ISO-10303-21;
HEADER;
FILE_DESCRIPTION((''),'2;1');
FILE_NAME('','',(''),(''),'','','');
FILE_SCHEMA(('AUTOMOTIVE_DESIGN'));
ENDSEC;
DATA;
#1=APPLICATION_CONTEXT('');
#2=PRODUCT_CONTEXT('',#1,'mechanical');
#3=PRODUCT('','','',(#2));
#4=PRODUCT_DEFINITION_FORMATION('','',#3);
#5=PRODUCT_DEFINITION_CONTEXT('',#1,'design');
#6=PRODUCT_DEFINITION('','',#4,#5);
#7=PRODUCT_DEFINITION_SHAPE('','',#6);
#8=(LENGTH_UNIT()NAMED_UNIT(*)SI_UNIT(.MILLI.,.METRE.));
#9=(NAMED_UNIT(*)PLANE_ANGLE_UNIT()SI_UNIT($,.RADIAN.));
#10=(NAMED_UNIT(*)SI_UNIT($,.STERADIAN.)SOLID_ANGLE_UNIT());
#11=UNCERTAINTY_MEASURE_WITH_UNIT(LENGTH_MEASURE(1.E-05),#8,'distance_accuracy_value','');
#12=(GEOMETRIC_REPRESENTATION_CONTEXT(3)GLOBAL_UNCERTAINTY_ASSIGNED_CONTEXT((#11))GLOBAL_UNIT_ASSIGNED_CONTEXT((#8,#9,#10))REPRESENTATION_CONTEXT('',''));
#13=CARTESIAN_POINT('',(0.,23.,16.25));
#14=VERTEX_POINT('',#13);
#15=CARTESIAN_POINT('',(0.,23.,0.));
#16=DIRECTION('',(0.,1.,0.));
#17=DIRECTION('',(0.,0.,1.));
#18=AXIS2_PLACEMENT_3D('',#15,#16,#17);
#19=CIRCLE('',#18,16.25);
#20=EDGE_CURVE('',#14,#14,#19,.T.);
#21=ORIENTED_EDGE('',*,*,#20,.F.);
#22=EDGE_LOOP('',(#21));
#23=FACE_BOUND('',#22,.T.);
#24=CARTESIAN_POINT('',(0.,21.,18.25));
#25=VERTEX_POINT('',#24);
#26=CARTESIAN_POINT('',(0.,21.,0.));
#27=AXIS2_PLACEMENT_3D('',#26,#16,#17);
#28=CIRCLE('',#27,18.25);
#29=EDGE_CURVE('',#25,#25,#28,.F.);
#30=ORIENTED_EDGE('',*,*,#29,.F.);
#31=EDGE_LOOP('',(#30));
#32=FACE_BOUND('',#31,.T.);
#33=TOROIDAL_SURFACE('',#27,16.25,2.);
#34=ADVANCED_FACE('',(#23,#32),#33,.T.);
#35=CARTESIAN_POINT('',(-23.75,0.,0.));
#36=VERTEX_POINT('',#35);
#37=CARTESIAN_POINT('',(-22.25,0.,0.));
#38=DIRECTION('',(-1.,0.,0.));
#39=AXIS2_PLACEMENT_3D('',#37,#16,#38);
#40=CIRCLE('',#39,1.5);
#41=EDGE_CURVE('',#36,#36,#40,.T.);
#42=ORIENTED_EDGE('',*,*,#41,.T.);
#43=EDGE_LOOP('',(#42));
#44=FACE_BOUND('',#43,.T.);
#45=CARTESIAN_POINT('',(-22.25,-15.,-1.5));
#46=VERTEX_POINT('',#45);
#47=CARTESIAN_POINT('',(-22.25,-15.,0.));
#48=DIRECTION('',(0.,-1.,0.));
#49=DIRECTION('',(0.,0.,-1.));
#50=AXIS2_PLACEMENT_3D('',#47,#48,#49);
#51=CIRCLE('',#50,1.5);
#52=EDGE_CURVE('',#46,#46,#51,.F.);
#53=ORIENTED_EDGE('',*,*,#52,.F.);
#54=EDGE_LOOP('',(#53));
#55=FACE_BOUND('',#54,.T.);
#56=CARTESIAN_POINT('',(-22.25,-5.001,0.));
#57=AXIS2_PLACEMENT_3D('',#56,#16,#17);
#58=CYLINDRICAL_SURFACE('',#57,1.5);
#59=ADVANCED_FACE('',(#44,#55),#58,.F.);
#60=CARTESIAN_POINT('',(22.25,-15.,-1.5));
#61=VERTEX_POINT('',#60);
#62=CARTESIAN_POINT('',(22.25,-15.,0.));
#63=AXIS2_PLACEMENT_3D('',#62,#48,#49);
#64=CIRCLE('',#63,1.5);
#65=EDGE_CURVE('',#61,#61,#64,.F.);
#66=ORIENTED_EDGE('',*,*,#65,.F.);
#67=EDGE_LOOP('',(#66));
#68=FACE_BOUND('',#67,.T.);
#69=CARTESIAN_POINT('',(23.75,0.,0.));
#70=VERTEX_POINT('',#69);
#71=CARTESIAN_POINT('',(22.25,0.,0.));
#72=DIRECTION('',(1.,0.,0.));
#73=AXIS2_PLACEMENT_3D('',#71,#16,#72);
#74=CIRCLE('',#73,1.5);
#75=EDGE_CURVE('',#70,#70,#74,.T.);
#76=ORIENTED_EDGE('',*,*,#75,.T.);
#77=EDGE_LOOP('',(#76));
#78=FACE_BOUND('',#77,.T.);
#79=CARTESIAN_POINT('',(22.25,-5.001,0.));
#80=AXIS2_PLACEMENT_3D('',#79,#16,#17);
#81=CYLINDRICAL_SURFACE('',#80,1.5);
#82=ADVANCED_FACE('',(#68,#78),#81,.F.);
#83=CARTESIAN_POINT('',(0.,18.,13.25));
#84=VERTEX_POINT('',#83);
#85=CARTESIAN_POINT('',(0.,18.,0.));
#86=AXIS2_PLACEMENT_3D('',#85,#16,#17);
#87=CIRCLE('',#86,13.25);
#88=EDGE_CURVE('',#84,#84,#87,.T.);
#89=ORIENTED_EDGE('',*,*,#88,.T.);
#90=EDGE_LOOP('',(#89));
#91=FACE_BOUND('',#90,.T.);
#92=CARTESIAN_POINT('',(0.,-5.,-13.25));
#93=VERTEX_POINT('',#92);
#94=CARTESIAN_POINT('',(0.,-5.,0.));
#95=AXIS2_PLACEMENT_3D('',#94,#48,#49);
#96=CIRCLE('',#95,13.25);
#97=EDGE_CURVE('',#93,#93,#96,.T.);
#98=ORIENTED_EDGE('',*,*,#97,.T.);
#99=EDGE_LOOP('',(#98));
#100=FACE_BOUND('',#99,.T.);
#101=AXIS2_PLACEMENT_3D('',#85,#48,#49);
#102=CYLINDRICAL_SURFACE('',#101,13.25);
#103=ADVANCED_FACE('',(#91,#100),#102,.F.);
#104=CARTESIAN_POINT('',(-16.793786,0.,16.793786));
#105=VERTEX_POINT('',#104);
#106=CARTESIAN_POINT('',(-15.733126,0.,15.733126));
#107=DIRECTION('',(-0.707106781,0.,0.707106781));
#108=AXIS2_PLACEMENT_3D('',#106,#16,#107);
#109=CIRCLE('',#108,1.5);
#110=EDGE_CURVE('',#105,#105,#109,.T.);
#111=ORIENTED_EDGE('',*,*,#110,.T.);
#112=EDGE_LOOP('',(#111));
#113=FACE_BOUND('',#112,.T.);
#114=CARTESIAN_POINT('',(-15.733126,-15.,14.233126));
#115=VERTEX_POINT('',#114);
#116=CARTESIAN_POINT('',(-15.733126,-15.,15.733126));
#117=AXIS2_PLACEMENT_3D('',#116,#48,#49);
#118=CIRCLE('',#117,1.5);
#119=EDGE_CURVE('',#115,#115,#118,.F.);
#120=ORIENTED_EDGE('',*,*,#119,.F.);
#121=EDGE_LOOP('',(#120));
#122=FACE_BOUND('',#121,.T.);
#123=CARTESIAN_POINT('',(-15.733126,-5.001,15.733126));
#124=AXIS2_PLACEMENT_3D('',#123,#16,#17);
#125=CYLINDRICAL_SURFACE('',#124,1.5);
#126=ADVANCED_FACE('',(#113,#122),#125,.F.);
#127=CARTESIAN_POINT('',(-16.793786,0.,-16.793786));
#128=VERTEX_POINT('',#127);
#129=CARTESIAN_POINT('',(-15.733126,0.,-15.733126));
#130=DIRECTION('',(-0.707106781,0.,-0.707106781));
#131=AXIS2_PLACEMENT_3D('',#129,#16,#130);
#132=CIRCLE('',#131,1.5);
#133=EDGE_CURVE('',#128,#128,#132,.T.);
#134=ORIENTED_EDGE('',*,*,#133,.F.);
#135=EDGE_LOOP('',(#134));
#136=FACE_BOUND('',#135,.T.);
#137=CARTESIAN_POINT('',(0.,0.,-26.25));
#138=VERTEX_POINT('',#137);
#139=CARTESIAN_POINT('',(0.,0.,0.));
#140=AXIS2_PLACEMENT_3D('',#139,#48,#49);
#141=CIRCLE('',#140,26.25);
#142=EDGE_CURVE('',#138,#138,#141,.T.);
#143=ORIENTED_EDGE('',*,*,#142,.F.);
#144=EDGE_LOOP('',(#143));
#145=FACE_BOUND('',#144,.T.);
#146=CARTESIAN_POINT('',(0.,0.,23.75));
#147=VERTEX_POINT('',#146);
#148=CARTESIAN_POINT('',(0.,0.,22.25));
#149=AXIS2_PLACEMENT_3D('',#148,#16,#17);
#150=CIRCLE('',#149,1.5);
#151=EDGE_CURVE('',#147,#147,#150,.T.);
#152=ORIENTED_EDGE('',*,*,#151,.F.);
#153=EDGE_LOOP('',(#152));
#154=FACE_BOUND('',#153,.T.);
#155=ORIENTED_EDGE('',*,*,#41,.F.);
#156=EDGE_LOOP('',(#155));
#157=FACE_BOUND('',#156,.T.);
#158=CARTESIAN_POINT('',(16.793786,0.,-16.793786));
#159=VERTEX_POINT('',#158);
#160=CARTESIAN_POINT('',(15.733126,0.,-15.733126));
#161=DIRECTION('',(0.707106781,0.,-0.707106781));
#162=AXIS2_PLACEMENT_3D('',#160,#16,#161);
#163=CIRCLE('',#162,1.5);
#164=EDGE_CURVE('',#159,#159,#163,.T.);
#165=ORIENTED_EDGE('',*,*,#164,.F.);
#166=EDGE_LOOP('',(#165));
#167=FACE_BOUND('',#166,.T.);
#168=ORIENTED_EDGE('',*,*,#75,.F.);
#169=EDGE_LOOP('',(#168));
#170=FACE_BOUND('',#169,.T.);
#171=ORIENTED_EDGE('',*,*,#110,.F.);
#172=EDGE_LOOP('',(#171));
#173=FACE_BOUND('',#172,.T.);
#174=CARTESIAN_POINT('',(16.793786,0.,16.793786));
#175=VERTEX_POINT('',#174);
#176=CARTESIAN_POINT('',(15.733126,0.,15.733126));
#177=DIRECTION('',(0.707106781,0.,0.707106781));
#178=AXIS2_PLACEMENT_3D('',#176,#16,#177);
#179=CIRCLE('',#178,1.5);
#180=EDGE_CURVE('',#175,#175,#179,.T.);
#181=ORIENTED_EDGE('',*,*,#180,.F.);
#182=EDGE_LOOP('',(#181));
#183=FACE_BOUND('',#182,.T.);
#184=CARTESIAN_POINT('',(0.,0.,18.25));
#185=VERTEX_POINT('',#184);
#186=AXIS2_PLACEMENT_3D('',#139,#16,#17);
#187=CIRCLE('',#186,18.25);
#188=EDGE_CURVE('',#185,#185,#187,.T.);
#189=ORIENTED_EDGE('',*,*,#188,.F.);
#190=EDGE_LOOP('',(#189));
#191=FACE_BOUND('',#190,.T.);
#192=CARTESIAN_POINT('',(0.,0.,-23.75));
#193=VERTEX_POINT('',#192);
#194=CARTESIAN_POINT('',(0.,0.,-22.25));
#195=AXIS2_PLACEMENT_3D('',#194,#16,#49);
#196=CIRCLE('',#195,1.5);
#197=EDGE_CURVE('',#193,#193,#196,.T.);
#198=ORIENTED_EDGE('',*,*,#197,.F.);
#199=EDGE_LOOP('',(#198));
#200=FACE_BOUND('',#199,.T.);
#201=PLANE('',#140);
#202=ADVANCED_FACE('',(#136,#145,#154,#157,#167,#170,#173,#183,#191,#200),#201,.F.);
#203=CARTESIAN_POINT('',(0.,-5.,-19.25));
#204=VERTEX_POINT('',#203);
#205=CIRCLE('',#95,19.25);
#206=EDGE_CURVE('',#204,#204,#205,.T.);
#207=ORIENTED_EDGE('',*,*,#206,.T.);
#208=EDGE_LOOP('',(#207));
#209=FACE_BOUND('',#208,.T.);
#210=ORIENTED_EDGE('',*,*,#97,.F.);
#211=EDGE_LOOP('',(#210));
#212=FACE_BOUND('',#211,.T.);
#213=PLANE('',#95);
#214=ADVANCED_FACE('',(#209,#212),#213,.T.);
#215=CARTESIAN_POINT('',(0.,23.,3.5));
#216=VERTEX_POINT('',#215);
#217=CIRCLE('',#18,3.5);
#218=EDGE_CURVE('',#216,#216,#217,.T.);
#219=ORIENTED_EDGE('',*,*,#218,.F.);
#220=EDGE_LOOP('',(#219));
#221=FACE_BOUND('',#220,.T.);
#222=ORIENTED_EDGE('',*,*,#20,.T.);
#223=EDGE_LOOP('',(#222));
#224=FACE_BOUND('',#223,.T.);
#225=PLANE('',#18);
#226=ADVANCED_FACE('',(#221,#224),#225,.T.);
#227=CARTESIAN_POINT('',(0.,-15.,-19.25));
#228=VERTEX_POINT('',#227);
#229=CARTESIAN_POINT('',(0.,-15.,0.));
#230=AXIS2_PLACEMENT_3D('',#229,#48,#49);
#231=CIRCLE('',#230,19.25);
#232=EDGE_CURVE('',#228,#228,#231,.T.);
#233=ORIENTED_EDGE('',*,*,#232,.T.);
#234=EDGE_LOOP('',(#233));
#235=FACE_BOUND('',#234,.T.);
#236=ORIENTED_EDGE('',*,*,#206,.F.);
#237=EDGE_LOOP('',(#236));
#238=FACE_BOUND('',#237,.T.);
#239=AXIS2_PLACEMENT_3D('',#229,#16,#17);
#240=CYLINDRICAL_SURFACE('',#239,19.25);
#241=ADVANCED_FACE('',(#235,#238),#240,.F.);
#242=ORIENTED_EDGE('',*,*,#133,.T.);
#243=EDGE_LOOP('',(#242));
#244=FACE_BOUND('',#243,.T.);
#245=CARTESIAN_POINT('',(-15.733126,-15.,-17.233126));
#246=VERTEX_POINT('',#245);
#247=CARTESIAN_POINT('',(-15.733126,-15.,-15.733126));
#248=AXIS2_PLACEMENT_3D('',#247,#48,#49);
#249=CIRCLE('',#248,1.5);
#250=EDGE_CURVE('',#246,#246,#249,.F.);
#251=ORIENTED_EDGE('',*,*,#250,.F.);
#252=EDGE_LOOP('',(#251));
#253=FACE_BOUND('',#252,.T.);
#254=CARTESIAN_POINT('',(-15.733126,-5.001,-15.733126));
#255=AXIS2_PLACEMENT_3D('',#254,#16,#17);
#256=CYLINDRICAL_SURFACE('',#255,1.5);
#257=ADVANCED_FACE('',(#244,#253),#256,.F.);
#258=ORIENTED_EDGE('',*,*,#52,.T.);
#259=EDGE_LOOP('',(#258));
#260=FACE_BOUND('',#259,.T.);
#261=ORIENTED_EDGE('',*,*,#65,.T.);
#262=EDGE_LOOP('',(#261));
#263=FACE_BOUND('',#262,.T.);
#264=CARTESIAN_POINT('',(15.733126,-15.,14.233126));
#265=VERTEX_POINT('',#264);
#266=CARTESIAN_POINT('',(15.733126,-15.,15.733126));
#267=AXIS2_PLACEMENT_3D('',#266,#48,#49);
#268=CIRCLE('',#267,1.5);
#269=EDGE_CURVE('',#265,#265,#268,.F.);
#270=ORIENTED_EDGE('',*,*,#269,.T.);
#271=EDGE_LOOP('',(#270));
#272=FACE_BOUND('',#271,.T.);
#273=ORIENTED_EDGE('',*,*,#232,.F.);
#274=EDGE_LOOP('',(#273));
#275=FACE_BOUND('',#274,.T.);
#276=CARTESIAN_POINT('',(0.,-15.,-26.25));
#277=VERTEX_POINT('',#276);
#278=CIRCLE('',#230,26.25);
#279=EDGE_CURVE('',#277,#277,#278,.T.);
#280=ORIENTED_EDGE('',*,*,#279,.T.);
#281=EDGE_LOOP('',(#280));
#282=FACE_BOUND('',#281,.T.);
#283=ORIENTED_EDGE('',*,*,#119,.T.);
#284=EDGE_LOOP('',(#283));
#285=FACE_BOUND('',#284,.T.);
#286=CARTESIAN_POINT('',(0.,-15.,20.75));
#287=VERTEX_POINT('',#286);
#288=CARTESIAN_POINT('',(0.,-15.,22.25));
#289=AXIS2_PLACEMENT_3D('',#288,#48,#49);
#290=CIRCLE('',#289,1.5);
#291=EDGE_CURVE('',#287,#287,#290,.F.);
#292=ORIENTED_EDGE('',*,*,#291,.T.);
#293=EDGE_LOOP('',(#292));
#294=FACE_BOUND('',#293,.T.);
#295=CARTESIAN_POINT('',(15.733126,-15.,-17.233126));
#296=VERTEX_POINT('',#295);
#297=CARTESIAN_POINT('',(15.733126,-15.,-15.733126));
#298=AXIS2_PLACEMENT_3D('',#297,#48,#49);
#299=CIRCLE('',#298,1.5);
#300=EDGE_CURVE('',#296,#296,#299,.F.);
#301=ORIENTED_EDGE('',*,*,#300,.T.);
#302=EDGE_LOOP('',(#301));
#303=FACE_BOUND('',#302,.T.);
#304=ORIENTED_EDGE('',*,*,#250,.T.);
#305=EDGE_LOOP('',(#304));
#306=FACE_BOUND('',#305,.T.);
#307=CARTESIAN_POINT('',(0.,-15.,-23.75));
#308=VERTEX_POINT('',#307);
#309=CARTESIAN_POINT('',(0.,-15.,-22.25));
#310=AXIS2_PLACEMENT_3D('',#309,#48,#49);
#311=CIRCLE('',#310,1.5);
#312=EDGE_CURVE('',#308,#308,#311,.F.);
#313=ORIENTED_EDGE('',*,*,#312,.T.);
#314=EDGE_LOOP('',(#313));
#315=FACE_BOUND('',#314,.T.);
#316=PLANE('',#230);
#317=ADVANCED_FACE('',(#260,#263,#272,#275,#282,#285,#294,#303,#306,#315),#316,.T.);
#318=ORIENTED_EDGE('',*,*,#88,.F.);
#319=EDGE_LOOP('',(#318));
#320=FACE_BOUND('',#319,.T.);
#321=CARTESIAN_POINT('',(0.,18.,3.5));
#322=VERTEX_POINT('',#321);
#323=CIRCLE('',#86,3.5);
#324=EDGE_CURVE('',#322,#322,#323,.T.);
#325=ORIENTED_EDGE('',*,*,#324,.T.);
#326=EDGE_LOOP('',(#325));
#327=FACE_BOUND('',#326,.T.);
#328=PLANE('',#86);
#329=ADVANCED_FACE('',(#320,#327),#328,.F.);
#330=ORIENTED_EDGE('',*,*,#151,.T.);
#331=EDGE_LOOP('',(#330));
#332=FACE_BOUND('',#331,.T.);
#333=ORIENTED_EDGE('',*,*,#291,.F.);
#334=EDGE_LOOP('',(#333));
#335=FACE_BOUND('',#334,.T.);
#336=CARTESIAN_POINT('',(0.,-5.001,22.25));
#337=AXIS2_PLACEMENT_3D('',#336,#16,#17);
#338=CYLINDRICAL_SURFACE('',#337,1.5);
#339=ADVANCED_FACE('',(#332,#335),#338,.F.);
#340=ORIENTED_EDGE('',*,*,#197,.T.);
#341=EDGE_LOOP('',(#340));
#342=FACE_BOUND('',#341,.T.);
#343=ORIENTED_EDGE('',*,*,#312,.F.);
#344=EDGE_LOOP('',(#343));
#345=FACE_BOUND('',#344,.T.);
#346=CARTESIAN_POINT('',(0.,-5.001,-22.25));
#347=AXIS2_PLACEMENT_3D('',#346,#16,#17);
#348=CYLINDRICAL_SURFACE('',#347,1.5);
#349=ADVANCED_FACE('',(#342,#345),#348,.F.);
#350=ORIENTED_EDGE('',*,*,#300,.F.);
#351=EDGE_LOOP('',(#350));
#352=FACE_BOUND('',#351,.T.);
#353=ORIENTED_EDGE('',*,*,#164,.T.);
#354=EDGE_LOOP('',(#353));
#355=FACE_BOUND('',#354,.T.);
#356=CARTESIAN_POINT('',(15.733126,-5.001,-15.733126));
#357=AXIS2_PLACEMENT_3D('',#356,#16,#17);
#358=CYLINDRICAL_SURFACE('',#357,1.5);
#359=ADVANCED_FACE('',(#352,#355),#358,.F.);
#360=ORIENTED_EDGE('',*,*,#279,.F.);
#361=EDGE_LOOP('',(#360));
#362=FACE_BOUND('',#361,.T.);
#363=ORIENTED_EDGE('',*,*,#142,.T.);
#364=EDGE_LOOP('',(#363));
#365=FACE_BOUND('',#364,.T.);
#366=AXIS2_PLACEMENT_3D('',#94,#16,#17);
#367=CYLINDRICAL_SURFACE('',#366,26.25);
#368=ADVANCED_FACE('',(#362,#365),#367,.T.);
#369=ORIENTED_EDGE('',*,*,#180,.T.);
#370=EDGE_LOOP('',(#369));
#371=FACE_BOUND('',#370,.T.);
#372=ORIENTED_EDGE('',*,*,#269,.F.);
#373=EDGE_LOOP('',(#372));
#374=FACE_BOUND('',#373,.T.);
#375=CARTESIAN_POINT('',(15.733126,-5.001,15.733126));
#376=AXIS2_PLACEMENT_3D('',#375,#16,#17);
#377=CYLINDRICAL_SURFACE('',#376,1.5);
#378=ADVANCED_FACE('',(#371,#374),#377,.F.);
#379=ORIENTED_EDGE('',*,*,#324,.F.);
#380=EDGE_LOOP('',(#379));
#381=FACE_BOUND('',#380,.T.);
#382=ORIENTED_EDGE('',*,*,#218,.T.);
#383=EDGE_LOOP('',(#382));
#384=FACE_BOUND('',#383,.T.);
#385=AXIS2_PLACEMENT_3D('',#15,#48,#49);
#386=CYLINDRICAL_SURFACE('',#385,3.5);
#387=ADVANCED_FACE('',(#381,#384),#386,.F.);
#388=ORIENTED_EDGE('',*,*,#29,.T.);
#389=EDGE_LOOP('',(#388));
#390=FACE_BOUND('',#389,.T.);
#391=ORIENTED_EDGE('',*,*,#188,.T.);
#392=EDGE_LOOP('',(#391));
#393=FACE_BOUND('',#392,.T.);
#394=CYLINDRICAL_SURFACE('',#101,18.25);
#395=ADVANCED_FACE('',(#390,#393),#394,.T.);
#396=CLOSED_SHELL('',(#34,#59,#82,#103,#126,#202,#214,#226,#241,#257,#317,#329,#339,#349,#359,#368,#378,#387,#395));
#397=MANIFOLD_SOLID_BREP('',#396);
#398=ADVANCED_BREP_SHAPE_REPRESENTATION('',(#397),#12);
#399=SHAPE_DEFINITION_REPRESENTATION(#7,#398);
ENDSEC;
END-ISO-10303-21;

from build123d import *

# Parameters (mm, degrees)
SKETCH1_R           = 18.25
SKETCH1_R_2         = 13.25
BOSS_EXTRUDE1_DEPTH = 18
SKETCH2_R           = 26.25
SKETCH2_R_2         = 13.25
FLANGE_DEPTH        = 5
CUT_EXTRUDE1_REACH  = 43.257
SKETCH4_R           = 1.5
CIRPATTERN1_COUNT   = 8
SKETCH6_R           = 18.25
SKETCH6_R_2         = 3.5
TOP_DEPTH           = 5
SKETCH7_R           = 26.25
SKETCH7_R_2         = 19.25
SKETCH7_R_3         = 1.5
BOSS_EXTRUDE5_DEPTH = 10
FILLET1_R           = 2


with BuildPart() as part:
    # Sketch1 → Boss-Extrude1 (new body)
    with BuildSketch(Plane(origin=(0, 0, 0), x_dir=(1, 0, 0), z_dir=(0, 1, 0))):
        with Locations(Location((0, 0, 0), (0, 0, 270))):
            Circle(SKETCH1_R)
        with Locations(Location((0, 0, 0), (0, 0, 270))):
            Circle(SKETCH1_R_2, mode=Mode.SUBTRACT)
    extrude(amount=BOSS_EXTRUDE1_DEPTH)

    # Sketch2 → flange (add)
    with BuildSketch(Plane.XZ):
        with Locations(Location((0, 0, 0), (0, 0, 270))):
            Circle(SKETCH2_R)
        with Locations(Location((0, 0, 0), (0, 0, 270))):
            Circle(SKETCH2_R_2, mode=Mode.SUBTRACT)
    extrude(amount=FLANGE_DEPTH)

    # Sketch4 → Cut-Extrude1 (cut, up to next)
    with BuildSketch(Plane(origin=(0, 0, 0), x_dir=(1, 0, 0), z_dir=(0, 1, 0)), mode=Mode.PRIVATE) as cut_extrude1_sk1:
        with Locations(Location((0, -22.25, 0), (0, 0, 270))):
            Circle(SKETCH4_R)
    cut_extrude1_tool1 = extrude(cut_extrude1_sk1.sketch, amount=-CUT_EXTRUDE1_REACH, mode=Mode.PRIVATE) & part.part
    cut_extrude1 = cut_extrude1_tool1.solids().sort_by_distance((0, 0, 22.25))[0]
    add(cut_extrude1, mode=Mode.SUBTRACT)

    # CirPattern1: Cut-Extrude1 ×8 about axis
    cirpattern1_axis = Axis((0, 0, 0), (0, 1, 0))
    for i in range(1, CIRPATTERN1_COUNT):
        add(cut_extrude1.rotate(cirpattern1_axis, i * 360 / CIRPATTERN1_COUNT), mode=Mode.SUBTRACT)

    # Sketch6 → top (add)
    with BuildSketch(Plane(origin=(0, 18, 0), x_dir=(1, 0, 0), z_dir=(0, 1, 0))):
        with Locations(Location((0, 0, 0), (0, 0, 270))):
            Circle(SKETCH6_R)
        with Locations(Location((0, 0, 0), (0, 0, 270))):
            Circle(SKETCH6_R_2, mode=Mode.SUBTRACT)
    extrude(amount=TOP_DEPTH)

    # Sketch7 → Boss-Extrude5 (add)
    with BuildSketch(Plane.XZ.offset(5)):
        with Locations(Location((0, 0, 0), (0, 0, 270))):
            Circle(SKETCH7_R)
        with Locations(Location((0, 0, 0), (0, 0, 270))):
            Circle(SKETCH7_R_2, mode=Mode.SUBTRACT)
        with Locations(Location((-15.733125881, -15.733125881, 0), (0, 0, 225))):
            Circle(SKETCH7_R_3, mode=Mode.SUBTRACT)
        with Locations(Location((15.733125881, -15.733125881, 0), (0, 0, 315))):
            Circle(SKETCH7_R_3, mode=Mode.SUBTRACT)
        with Locations(Location((15.733125881, 15.733125881, 0), (0, 0, 45))):
            Circle(SKETCH7_R_3, mode=Mode.SUBTRACT)
        with Locations(Location((0, 22.25, 0), (0, 0, 90))):
            Circle(SKETCH7_R_3, mode=Mode.SUBTRACT)
        with Locations(Location((-15.733125881, 15.733125881, 0), (0, 0, 135))):
            Circle(SKETCH7_R_3, mode=Mode.SUBTRACT)
        with Locations((22.25, 0)):
            Circle(SKETCH7_R_3, mode=Mode.SUBTRACT)
        with Locations(Location((0, -22.25, 0), (0, 0, 270))):
            Circle(SKETCH7_R_3, mode=Mode.SUBTRACT)
        with Locations(Location((-22.25, 0, 0), (0, 0, 180))):
            Circle(SKETCH7_R_3, mode=Mode.SUBTRACT)
    extrude(amount=BOSS_EXTRUDE5_DEPTH)

    # Fillet1
    fillet1_edges = [part.edges().sort_by_distance(p)[0] for p in [
        (0, 23, -18.25),
    ]]
    fillet(fillet1_edges, radius=FILLET1_R)


solid = part.part
